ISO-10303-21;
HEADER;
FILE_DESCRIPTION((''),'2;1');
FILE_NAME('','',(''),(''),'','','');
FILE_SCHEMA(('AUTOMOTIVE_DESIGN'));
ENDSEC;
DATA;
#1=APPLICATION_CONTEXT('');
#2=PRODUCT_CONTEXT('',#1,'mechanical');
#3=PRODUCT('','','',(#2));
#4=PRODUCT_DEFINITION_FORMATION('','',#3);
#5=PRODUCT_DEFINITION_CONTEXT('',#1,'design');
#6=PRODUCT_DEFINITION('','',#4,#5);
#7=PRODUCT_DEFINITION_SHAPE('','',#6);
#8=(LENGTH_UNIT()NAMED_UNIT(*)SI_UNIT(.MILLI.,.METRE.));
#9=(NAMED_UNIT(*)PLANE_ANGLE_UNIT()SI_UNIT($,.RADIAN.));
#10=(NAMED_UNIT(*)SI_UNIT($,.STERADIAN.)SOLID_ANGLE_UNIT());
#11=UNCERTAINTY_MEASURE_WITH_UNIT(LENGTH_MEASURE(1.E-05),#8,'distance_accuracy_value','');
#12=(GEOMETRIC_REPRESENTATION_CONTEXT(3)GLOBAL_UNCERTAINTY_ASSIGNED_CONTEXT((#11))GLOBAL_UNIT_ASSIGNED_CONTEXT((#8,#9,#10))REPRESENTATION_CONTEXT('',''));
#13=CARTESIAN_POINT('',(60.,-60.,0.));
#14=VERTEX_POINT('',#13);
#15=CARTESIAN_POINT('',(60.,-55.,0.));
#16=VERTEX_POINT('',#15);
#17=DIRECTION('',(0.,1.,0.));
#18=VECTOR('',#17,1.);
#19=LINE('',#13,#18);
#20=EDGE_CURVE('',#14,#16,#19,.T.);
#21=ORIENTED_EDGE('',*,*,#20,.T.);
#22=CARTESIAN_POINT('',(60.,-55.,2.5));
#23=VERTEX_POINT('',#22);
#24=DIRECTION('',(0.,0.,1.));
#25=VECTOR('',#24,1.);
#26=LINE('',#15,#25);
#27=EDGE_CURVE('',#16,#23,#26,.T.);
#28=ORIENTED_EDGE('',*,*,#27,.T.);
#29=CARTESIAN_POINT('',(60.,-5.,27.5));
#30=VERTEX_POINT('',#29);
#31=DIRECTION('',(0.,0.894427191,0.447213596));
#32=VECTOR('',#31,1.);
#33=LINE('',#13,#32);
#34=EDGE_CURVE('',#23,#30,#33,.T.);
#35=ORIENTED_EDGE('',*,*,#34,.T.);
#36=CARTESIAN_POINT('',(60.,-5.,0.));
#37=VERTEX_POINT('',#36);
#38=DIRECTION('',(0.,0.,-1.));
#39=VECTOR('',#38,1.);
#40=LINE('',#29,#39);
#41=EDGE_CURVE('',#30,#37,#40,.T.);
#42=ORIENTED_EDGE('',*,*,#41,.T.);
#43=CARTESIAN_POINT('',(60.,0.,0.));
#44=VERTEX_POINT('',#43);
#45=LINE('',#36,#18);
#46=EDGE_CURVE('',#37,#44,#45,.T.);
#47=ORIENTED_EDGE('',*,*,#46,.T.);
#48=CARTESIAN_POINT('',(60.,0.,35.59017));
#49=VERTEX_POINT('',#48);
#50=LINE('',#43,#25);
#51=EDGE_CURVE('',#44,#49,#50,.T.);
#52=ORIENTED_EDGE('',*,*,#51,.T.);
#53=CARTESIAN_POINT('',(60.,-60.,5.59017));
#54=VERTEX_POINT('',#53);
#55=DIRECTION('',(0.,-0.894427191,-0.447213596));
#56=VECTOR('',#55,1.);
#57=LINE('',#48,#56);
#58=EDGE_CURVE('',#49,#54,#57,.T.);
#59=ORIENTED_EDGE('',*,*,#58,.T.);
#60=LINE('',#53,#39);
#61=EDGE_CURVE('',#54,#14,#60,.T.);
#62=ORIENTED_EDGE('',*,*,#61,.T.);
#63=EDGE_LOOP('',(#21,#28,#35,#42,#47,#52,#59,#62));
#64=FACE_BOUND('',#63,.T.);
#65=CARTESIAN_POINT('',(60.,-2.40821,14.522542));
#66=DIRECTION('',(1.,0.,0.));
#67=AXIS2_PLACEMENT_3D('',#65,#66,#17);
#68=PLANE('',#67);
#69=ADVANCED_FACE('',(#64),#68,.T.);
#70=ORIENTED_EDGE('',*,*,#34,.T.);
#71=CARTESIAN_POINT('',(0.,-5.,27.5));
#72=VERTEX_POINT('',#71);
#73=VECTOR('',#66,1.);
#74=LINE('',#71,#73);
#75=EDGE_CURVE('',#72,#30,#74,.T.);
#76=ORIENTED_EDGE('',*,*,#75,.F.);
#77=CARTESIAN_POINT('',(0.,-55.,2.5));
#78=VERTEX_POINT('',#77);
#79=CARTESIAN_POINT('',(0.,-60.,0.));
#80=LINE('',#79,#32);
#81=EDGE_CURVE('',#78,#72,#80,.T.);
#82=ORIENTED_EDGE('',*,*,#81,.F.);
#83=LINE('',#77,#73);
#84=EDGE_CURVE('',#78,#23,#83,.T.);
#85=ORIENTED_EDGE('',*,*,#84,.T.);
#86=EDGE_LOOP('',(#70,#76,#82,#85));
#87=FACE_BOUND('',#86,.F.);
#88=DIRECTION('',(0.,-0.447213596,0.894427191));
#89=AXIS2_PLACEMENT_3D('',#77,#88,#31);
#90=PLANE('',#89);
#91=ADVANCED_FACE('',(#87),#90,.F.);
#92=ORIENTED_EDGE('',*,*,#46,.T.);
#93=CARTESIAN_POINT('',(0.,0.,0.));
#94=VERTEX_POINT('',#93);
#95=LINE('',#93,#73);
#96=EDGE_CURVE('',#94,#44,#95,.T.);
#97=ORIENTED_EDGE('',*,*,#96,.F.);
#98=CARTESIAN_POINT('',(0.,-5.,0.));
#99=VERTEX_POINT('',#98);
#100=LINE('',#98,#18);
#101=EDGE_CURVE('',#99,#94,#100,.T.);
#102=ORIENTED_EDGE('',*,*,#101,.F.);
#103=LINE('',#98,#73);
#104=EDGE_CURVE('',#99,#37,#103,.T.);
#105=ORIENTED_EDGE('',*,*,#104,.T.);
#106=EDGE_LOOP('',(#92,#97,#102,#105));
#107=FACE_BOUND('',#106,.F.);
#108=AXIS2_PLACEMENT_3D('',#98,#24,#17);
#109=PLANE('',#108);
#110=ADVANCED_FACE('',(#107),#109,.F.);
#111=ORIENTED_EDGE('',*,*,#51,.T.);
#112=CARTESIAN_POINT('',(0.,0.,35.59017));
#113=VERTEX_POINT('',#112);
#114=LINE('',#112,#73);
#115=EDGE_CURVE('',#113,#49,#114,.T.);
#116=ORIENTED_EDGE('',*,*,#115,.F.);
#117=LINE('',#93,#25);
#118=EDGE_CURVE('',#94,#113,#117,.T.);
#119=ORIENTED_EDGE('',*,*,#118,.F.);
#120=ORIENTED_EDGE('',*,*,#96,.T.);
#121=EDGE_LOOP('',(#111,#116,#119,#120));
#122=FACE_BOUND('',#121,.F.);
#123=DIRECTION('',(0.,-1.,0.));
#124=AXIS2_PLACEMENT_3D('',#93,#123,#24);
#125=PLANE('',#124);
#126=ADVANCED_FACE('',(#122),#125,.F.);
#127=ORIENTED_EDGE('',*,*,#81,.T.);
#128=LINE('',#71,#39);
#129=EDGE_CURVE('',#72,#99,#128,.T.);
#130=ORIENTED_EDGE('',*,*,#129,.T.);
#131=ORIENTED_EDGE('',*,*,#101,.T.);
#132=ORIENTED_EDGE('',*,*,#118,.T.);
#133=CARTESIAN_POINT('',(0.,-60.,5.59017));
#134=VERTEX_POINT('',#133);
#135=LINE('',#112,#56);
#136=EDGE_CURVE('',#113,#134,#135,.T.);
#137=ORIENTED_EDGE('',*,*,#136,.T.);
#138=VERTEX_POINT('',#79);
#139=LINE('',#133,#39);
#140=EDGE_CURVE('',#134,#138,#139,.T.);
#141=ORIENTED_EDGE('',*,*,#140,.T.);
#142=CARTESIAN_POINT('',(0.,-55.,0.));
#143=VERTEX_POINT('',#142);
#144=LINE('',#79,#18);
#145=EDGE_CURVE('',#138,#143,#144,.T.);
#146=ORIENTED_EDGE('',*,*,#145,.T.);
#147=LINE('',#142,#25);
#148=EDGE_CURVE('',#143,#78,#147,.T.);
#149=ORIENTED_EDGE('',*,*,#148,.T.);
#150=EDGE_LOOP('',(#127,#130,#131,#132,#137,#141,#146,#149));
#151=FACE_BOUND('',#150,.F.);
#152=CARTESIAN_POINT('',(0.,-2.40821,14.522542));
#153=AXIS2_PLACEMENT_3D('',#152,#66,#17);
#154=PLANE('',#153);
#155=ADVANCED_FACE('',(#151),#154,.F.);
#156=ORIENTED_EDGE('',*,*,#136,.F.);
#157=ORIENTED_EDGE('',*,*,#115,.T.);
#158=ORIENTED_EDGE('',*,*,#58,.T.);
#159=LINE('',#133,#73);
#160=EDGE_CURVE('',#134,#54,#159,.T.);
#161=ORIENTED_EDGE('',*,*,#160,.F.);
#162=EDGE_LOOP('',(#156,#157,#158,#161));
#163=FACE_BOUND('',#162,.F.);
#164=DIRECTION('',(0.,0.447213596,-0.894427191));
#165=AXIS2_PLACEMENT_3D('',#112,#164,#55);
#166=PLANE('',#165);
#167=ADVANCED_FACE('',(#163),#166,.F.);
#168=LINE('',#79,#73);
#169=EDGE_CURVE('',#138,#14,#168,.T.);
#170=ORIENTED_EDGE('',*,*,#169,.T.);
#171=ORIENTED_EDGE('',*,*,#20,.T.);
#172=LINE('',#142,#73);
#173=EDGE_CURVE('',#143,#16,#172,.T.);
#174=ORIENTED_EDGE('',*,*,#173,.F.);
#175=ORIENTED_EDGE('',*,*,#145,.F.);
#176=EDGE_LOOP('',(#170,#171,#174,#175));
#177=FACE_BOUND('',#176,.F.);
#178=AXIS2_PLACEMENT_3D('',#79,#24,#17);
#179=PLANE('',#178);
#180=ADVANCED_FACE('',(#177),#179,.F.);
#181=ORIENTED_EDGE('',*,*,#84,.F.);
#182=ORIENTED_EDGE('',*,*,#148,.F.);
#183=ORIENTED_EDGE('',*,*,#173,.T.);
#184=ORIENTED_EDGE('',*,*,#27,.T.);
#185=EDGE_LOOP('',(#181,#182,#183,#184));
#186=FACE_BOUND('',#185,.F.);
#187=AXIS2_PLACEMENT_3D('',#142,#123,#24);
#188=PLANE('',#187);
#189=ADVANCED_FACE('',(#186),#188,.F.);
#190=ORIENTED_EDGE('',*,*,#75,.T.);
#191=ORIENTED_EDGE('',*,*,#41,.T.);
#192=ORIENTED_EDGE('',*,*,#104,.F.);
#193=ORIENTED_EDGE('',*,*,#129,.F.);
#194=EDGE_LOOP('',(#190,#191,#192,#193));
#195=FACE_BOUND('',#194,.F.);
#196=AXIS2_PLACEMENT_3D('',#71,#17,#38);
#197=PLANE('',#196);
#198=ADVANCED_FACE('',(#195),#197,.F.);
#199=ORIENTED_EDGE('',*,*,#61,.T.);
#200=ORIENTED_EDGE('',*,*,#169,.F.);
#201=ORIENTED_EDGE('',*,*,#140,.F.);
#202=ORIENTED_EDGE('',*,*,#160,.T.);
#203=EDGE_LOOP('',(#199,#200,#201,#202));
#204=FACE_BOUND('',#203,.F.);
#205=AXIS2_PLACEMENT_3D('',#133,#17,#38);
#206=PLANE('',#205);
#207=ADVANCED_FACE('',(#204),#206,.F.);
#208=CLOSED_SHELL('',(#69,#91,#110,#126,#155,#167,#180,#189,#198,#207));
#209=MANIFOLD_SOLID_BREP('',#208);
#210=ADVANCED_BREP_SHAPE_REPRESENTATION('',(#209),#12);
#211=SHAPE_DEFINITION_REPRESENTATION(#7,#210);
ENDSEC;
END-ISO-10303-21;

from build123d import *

# Parameters (mm, degrees)
F1_DEPTH = 60


with BuildPart() as f1:
    # F0 (on Right) → F1 (new body)
    with BuildSketch(Plane.YZ):
        Polygon((-5, 0), (0, 0), (0, 30), (-5, 27.5), align=None)
        Polygon((-5, 27.5), (0, 30), (0, 35.59017), (-60, 5.59017), (-60, 0), (-55, 2.5), align=None)
        Polygon((-55, 0), (-55, 2.5), (-60, 0), align=None)
    extrude(amount=F1_DEPTH)


solid = f1.part
